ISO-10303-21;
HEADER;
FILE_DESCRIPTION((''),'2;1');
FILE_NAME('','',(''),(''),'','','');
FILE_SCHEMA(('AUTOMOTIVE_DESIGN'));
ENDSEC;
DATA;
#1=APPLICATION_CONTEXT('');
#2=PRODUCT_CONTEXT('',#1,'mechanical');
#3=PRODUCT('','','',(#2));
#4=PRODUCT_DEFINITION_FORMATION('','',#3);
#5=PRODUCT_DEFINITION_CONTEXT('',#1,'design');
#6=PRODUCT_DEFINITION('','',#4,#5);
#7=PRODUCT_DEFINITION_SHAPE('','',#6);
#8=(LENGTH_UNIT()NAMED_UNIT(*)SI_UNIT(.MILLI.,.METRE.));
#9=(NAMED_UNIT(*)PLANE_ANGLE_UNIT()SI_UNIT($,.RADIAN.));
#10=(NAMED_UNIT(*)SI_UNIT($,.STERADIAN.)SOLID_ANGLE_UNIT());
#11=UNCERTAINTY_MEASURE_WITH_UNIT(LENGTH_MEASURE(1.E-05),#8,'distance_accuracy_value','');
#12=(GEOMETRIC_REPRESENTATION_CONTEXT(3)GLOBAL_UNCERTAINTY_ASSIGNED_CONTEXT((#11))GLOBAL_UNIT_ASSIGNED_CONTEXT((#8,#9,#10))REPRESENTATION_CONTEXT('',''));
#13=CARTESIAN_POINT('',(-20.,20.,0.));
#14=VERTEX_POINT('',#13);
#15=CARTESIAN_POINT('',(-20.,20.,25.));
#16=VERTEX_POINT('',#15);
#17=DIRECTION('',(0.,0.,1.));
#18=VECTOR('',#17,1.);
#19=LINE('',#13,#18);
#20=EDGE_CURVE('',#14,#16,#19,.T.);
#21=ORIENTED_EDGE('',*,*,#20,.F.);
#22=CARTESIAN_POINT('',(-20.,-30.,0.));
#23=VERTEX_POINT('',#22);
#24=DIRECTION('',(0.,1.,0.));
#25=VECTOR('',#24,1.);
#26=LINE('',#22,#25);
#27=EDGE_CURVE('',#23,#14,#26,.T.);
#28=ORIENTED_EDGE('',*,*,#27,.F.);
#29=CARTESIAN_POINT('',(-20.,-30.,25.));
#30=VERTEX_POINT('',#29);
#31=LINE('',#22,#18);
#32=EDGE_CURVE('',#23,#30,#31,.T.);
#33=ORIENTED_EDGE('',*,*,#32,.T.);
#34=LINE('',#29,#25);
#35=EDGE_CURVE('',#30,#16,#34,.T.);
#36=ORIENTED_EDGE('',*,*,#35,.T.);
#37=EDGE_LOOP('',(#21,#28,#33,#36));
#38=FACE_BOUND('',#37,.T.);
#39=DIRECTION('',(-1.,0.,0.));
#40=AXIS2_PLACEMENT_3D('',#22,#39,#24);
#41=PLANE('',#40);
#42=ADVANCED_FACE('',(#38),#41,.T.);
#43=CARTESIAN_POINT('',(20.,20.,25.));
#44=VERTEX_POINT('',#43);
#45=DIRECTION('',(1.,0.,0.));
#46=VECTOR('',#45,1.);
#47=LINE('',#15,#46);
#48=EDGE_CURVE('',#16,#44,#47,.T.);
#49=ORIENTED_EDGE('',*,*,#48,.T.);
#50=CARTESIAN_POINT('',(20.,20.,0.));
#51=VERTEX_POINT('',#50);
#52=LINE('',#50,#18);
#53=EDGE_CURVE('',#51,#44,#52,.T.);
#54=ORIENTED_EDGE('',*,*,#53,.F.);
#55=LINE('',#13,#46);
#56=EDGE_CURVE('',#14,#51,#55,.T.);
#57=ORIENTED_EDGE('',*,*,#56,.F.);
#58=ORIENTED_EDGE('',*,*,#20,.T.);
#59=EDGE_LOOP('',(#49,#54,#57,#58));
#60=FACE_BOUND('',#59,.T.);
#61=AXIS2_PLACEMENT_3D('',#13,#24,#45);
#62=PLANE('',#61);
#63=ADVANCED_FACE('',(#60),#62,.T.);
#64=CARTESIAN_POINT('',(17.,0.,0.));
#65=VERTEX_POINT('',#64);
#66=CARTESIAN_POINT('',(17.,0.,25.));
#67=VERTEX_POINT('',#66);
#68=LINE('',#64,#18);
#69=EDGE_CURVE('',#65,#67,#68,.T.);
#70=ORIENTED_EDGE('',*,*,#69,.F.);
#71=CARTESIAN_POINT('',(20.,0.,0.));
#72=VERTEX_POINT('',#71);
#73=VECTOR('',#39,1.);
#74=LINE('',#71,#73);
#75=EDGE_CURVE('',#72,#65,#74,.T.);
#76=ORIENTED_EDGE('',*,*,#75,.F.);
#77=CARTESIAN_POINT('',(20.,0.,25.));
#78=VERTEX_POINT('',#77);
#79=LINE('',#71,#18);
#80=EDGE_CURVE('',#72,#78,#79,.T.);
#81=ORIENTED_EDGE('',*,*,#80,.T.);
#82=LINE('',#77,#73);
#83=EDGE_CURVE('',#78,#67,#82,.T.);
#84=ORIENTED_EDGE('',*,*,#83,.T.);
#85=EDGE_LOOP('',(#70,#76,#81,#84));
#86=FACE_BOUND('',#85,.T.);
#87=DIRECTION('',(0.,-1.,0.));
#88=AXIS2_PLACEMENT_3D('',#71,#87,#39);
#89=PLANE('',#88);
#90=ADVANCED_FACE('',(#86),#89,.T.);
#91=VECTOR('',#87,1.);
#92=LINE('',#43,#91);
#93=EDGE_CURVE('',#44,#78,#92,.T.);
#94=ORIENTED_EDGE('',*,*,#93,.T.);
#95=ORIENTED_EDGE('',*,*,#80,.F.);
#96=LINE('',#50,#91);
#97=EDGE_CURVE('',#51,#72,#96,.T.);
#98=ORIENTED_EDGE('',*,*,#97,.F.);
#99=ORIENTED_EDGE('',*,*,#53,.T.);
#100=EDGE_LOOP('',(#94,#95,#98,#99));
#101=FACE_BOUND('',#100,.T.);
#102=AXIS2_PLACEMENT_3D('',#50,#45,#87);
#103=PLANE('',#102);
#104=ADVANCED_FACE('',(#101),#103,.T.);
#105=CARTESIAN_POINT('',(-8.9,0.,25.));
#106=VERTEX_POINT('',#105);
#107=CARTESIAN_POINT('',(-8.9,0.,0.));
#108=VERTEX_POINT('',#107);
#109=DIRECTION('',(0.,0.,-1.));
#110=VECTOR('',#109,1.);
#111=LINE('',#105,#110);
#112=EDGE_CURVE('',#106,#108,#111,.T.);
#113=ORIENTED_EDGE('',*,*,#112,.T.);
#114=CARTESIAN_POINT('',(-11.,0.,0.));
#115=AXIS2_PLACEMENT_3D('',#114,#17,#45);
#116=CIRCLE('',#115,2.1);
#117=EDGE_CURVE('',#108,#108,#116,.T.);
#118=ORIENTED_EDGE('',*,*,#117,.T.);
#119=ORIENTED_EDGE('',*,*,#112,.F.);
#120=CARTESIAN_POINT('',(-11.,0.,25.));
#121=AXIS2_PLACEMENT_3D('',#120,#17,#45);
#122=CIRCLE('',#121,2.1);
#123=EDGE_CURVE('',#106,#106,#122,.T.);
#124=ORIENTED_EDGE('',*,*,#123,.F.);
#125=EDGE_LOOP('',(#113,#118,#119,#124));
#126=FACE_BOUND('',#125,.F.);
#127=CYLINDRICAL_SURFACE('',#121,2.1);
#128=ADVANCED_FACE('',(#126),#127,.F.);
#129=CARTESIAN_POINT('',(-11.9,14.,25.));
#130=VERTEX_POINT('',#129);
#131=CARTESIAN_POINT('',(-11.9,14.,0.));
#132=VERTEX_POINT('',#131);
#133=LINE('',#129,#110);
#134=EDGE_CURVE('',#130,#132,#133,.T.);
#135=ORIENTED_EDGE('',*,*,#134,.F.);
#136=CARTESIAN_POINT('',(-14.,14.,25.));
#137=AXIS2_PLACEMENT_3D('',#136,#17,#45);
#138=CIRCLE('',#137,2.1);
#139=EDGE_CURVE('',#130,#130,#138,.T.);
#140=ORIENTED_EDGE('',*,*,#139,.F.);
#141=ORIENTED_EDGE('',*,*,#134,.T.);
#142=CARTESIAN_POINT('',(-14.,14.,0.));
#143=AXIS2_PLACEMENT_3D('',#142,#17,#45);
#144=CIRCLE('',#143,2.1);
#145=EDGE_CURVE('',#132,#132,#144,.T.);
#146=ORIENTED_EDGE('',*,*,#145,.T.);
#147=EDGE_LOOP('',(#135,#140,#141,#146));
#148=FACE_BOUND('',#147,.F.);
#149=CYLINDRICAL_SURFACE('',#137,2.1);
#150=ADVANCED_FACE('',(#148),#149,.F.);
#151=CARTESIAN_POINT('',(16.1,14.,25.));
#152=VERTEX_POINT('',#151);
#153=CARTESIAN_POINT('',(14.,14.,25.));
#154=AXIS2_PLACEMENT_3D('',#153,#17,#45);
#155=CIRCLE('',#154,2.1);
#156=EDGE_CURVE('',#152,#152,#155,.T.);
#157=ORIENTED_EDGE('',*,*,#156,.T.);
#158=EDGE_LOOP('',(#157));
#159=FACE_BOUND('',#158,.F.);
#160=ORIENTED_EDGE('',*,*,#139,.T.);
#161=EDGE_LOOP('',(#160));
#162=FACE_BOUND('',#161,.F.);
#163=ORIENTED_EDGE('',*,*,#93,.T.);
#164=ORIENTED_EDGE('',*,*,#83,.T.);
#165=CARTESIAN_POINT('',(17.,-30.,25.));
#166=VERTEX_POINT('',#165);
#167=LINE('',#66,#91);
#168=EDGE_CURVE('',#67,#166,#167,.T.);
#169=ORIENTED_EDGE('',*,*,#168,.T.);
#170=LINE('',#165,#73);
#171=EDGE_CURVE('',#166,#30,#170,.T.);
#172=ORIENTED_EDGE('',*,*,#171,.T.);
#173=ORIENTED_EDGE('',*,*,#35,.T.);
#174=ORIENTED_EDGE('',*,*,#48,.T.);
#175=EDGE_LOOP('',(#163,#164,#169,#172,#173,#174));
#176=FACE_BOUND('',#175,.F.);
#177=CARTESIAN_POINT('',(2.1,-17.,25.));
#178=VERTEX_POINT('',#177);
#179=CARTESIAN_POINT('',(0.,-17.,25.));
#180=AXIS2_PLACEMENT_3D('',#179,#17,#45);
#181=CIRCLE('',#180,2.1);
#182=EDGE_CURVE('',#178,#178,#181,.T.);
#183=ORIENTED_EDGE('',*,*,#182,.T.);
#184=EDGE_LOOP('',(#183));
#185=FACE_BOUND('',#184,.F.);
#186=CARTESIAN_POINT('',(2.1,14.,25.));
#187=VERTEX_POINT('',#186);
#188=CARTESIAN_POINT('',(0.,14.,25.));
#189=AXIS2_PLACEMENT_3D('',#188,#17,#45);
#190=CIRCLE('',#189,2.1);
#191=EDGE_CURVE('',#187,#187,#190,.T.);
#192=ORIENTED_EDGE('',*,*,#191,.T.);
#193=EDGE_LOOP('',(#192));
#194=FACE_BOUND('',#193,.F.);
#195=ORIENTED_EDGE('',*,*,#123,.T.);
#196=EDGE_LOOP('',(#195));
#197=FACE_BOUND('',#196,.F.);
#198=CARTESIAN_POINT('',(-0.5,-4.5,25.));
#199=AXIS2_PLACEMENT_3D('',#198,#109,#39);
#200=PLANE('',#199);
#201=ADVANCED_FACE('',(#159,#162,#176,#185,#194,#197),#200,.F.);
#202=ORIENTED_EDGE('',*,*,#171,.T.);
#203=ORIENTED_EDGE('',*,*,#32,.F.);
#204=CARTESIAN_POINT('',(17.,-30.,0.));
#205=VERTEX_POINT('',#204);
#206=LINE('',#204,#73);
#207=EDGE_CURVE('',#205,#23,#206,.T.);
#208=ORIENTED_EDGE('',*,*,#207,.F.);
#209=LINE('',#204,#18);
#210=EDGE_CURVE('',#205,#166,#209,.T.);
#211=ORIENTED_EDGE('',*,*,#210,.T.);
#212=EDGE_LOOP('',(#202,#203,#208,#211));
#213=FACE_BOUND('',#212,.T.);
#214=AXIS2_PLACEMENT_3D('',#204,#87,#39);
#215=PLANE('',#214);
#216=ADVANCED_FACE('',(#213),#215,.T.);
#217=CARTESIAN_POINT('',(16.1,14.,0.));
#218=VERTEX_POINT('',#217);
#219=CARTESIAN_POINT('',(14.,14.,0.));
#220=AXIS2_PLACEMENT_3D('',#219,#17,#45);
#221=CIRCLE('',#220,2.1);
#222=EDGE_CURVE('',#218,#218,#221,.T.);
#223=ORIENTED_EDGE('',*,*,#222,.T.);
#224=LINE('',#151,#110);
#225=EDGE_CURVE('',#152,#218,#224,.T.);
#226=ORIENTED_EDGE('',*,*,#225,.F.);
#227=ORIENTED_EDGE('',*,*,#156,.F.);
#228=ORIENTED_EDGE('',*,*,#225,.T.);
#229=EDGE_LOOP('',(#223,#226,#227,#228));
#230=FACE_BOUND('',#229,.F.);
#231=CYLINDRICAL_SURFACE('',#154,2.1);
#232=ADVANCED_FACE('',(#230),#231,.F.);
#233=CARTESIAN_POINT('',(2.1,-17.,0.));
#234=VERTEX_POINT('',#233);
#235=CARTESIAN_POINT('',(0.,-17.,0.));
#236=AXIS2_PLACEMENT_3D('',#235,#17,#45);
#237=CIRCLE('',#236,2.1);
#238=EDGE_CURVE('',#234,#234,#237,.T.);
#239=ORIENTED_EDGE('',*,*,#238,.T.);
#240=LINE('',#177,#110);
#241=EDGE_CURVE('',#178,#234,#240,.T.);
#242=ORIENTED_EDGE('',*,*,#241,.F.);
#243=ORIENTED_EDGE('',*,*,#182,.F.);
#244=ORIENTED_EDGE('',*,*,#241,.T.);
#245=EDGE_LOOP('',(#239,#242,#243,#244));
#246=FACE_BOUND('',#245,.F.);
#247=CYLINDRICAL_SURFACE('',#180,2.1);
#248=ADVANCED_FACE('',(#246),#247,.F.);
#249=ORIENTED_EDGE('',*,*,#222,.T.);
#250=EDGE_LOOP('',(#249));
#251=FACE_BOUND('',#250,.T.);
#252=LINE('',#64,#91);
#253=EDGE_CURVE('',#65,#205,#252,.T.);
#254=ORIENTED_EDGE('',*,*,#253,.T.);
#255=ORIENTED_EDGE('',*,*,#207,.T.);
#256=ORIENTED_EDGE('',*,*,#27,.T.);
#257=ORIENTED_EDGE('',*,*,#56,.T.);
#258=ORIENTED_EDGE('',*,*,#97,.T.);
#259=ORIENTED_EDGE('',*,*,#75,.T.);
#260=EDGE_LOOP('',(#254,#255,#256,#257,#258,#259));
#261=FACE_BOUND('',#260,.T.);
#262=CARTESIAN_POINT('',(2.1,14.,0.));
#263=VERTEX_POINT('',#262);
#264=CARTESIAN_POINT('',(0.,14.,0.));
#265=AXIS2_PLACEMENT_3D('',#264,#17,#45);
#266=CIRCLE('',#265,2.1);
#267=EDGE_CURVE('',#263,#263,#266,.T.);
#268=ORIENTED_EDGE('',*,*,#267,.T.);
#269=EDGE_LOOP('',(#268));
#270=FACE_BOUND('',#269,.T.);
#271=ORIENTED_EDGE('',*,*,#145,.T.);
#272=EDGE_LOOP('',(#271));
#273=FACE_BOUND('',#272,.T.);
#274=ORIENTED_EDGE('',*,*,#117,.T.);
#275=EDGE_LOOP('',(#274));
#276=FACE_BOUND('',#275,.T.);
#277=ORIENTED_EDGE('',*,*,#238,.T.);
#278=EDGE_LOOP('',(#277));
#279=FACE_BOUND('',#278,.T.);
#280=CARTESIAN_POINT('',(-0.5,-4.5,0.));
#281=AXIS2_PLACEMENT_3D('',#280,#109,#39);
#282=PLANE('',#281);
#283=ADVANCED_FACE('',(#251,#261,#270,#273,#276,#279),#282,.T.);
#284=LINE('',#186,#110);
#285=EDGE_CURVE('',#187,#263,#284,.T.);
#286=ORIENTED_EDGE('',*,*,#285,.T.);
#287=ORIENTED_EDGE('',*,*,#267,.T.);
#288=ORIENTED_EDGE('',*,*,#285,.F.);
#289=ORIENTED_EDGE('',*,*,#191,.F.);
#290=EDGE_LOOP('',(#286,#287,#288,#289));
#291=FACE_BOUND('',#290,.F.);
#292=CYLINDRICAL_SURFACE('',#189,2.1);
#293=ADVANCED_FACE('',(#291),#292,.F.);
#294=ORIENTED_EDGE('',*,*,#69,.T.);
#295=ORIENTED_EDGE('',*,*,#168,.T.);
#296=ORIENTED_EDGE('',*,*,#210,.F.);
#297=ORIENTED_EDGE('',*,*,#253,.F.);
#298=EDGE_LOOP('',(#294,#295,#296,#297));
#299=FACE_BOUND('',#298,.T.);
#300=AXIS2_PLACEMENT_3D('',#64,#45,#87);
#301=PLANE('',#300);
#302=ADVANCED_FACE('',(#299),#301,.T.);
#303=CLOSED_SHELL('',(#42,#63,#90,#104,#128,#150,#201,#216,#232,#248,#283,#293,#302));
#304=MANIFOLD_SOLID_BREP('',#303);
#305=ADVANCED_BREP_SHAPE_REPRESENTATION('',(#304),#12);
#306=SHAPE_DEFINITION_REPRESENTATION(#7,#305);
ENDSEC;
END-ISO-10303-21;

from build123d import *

# Parameters (mm, degrees)
PAD_DEPTH    = 25
SKETCH003_R  = 2.1
POCKET_DEPTH = 25.001


with BuildPart() as part:
    # Sketch → Pad (new body)
    with BuildSketch(Plane.XY):
        Polygon((17, -30), (-20, -30), (-20, 20), (20, 20), (20, 0), (17, 0), align=None)
    extrude(amount=PAD_DEPTH)

    # Sketch003 (on Face8 of Pad) → Pocket (cut, through all)
    with BuildSketch(Plane.XY.offset(25)):
        with Locations((0, -17)):
            Circle(SKETCH003_R)
        with Locations((-11, 0)):
            Circle(SKETCH003_R)
        with Locations((-14, 14)):
            Circle(SKETCH003_R)
        with Locations((14, 14)):
            Circle(SKETCH003_R)
        with Locations((0, 14)):
            Circle(SKETCH003_R)
    extrude(amount=-POCKET_DEPTH, mode=Mode.SUBTRACT)


solid = part.part
